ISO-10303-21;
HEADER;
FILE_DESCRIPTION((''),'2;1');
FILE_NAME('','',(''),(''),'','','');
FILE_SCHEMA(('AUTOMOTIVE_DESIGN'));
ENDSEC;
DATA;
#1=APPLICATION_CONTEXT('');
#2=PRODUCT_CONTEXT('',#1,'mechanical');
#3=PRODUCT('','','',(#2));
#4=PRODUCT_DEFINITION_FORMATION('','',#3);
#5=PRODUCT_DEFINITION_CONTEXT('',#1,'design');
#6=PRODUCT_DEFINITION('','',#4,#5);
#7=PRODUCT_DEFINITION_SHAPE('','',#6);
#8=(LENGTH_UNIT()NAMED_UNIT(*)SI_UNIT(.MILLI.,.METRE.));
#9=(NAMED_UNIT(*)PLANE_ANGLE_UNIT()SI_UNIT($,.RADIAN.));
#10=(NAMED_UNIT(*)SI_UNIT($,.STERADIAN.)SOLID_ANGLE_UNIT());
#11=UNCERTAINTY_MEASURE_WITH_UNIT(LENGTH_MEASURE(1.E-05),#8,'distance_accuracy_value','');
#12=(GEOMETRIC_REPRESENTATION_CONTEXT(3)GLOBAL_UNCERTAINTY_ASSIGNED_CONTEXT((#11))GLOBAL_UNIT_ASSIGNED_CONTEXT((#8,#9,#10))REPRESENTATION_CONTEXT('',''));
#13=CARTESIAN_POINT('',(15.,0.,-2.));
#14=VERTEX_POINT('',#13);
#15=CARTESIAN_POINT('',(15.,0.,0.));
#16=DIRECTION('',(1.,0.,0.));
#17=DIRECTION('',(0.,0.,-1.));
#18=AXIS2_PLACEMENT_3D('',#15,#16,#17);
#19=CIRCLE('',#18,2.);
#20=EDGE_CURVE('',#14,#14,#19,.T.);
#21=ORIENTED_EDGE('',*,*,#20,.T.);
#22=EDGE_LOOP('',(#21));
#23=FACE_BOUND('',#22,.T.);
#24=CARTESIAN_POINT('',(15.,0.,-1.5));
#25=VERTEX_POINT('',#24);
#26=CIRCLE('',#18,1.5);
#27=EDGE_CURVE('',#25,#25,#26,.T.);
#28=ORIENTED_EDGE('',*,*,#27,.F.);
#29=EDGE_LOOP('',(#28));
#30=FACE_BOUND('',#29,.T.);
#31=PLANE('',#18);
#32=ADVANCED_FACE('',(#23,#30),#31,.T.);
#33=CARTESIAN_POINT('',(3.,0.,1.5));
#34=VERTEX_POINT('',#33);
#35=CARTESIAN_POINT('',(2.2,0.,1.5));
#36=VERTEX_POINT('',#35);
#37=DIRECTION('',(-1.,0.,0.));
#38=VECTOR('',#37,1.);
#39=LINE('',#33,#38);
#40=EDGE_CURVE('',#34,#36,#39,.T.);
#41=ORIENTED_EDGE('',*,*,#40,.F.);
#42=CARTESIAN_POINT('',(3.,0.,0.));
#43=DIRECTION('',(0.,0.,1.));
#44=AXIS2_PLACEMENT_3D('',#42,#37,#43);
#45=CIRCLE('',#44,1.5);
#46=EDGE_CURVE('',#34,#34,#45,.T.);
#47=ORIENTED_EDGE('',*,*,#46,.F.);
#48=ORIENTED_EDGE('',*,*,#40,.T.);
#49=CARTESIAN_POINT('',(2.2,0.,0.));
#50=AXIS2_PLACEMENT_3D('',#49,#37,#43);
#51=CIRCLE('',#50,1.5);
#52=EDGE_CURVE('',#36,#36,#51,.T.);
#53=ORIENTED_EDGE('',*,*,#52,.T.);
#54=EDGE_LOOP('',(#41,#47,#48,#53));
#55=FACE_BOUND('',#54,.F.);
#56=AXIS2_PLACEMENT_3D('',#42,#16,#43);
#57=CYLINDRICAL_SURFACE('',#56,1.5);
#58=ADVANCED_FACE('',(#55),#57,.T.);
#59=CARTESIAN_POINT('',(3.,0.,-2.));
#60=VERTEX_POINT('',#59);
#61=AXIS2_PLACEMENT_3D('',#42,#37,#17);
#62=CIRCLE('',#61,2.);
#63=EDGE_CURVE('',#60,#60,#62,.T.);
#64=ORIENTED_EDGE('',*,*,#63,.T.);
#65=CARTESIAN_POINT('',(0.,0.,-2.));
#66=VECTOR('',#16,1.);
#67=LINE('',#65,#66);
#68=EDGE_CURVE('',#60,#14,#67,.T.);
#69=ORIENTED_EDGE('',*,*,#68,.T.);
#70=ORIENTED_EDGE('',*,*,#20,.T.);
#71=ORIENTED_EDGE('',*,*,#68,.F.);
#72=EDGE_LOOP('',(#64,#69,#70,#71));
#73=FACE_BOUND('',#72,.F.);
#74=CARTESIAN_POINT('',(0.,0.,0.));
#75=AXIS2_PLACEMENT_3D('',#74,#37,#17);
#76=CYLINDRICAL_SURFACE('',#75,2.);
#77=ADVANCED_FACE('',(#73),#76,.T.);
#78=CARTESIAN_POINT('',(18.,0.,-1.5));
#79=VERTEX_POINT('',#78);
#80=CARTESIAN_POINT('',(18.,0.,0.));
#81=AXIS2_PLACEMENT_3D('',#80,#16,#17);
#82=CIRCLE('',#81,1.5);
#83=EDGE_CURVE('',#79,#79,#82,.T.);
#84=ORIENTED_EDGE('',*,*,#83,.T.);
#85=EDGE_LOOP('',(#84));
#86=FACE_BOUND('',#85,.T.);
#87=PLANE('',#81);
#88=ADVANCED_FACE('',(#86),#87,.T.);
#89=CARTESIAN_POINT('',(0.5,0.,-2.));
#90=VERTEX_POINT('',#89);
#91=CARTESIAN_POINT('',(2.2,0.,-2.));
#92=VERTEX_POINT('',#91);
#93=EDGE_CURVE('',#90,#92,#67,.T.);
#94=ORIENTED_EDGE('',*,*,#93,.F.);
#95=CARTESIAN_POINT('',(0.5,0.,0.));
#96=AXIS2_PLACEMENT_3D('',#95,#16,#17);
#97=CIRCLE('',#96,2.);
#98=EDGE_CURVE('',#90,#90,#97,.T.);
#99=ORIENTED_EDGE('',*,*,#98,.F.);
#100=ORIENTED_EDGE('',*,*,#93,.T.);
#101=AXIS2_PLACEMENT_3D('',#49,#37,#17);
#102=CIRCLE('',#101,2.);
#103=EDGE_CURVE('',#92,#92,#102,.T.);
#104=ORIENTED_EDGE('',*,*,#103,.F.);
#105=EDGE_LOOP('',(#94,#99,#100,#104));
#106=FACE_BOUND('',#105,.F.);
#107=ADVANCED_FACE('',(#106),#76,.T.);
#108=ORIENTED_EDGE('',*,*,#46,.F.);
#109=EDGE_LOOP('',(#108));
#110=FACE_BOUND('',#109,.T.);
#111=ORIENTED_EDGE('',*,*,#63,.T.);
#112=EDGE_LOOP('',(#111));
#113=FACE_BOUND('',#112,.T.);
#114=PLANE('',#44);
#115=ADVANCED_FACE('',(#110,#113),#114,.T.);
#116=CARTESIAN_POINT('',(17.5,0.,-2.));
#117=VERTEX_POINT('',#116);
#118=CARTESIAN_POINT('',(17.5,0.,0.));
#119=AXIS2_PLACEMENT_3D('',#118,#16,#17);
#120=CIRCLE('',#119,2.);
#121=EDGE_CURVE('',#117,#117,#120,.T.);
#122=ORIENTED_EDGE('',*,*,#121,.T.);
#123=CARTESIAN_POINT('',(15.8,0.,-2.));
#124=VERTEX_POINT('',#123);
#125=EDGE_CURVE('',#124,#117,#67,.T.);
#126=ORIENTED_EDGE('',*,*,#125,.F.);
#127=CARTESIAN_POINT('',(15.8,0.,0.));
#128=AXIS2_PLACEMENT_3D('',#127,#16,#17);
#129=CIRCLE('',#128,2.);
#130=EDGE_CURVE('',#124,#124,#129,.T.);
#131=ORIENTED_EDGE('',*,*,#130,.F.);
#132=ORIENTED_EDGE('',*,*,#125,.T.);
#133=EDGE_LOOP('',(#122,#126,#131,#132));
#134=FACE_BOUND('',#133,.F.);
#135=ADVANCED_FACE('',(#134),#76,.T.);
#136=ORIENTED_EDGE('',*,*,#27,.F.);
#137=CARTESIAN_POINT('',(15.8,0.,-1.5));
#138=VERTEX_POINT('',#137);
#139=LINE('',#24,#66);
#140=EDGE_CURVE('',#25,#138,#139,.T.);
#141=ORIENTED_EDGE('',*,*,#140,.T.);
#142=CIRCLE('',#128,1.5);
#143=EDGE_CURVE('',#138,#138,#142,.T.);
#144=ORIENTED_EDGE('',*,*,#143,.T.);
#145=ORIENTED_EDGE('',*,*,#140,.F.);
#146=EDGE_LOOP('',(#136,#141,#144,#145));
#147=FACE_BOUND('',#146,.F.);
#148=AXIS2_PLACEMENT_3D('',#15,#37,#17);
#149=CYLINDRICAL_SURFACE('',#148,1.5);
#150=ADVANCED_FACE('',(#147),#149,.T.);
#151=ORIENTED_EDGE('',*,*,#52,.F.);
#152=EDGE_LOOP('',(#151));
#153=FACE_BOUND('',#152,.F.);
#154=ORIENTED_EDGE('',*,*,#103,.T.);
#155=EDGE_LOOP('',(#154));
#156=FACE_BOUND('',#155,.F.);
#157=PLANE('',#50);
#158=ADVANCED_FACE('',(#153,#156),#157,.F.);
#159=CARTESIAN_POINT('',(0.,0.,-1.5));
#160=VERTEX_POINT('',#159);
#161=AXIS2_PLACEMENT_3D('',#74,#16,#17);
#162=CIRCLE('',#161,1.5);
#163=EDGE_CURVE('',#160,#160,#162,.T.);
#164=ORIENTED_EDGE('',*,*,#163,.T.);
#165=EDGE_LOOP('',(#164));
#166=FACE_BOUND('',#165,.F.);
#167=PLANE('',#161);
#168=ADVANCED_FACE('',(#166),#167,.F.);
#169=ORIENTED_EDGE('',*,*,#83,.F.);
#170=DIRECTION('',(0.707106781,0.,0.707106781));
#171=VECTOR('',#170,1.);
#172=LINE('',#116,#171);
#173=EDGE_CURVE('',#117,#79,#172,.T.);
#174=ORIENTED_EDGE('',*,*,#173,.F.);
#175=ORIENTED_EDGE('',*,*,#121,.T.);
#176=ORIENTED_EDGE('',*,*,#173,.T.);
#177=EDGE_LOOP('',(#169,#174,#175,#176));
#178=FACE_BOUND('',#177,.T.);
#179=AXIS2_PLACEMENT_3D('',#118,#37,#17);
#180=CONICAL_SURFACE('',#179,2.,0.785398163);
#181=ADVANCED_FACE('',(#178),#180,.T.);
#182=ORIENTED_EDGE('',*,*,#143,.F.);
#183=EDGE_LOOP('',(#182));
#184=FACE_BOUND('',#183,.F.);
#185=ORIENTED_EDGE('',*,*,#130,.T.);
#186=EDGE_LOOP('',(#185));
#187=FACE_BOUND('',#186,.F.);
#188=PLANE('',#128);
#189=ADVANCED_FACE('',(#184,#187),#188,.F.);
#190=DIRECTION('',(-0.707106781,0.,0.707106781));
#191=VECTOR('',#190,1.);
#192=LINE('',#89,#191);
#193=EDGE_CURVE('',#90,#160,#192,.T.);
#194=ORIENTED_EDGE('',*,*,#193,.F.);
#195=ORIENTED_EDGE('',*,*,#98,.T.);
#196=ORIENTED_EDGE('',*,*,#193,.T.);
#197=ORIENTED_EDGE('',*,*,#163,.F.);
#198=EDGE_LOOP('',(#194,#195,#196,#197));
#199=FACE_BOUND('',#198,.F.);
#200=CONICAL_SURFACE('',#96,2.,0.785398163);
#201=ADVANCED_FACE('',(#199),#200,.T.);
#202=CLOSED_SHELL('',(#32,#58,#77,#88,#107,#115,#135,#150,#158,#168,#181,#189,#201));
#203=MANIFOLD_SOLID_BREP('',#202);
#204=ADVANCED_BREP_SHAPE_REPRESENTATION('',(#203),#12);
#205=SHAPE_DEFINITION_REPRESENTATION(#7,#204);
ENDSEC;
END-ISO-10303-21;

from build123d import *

# Parameters (mm, degrees)
SKETCH1_R           = 2
BOSS_EXTRUDE1_DEPTH = 18
CHAMFER1_SIZE       = 0.5
CUT_EXTRUDE1_START  = -3
SKETCH2_R           = 2
SKETCH2_R_2         = 1.5
CUT_EXTRUDE1_DEPTH  = 0.8
CUT_EXTRUDE2_START  = -3
SKETCH3_R           = 2
SKETCH3_R_2         = 1.5
CUT_EXTRUDE2_DEPTH  = 0.8


with BuildPart() as part:
    # Sketch1 → Boss-Extrude1 (new body)
    with BuildSketch(Plane(origin=(0, 0, 0), x_dir=(0, 0, -1), z_dir=(1, 0, 0))):
        Circle(SKETCH1_R)
    extrude(amount=BOSS_EXTRUDE1_DEPTH)

    # Chamfer1
    chamfer1_edges = [part.edges().sort_by_distance(p)[0] for p in [
        (0, 0, 2),
        (18, 0, 2),
    ]]
    chamfer(chamfer1_edges, length=CHAMFER1_SIZE)

    # Sketch2 → Cut-Extrude1 (cut)
    with BuildSketch(Plane(origin=(18, 0, 0), x_dir=(0, 0, -1), z_dir=(1, 0, 0)).offset(CUT_EXTRUDE1_START)):
        Circle(SKETCH2_R)
        Circle(SKETCH2_R_2, mode=Mode.SUBTRACT)
    extrude(amount=CUT_EXTRUDE1_DEPTH, mode=Mode.SUBTRACT)

    # Sketch3 → Cut-Extrude2 (cut)
    with BuildSketch(Plane.ZY.offset(CUT_EXTRUDE2_START)):
        Circle(SKETCH3_R)
        Circle(SKETCH3_R_2, mode=Mode.SUBTRACT)
    extrude(amount=CUT_EXTRUDE2_DEPTH, mode=Mode.SUBTRACT)


solid = part.part
